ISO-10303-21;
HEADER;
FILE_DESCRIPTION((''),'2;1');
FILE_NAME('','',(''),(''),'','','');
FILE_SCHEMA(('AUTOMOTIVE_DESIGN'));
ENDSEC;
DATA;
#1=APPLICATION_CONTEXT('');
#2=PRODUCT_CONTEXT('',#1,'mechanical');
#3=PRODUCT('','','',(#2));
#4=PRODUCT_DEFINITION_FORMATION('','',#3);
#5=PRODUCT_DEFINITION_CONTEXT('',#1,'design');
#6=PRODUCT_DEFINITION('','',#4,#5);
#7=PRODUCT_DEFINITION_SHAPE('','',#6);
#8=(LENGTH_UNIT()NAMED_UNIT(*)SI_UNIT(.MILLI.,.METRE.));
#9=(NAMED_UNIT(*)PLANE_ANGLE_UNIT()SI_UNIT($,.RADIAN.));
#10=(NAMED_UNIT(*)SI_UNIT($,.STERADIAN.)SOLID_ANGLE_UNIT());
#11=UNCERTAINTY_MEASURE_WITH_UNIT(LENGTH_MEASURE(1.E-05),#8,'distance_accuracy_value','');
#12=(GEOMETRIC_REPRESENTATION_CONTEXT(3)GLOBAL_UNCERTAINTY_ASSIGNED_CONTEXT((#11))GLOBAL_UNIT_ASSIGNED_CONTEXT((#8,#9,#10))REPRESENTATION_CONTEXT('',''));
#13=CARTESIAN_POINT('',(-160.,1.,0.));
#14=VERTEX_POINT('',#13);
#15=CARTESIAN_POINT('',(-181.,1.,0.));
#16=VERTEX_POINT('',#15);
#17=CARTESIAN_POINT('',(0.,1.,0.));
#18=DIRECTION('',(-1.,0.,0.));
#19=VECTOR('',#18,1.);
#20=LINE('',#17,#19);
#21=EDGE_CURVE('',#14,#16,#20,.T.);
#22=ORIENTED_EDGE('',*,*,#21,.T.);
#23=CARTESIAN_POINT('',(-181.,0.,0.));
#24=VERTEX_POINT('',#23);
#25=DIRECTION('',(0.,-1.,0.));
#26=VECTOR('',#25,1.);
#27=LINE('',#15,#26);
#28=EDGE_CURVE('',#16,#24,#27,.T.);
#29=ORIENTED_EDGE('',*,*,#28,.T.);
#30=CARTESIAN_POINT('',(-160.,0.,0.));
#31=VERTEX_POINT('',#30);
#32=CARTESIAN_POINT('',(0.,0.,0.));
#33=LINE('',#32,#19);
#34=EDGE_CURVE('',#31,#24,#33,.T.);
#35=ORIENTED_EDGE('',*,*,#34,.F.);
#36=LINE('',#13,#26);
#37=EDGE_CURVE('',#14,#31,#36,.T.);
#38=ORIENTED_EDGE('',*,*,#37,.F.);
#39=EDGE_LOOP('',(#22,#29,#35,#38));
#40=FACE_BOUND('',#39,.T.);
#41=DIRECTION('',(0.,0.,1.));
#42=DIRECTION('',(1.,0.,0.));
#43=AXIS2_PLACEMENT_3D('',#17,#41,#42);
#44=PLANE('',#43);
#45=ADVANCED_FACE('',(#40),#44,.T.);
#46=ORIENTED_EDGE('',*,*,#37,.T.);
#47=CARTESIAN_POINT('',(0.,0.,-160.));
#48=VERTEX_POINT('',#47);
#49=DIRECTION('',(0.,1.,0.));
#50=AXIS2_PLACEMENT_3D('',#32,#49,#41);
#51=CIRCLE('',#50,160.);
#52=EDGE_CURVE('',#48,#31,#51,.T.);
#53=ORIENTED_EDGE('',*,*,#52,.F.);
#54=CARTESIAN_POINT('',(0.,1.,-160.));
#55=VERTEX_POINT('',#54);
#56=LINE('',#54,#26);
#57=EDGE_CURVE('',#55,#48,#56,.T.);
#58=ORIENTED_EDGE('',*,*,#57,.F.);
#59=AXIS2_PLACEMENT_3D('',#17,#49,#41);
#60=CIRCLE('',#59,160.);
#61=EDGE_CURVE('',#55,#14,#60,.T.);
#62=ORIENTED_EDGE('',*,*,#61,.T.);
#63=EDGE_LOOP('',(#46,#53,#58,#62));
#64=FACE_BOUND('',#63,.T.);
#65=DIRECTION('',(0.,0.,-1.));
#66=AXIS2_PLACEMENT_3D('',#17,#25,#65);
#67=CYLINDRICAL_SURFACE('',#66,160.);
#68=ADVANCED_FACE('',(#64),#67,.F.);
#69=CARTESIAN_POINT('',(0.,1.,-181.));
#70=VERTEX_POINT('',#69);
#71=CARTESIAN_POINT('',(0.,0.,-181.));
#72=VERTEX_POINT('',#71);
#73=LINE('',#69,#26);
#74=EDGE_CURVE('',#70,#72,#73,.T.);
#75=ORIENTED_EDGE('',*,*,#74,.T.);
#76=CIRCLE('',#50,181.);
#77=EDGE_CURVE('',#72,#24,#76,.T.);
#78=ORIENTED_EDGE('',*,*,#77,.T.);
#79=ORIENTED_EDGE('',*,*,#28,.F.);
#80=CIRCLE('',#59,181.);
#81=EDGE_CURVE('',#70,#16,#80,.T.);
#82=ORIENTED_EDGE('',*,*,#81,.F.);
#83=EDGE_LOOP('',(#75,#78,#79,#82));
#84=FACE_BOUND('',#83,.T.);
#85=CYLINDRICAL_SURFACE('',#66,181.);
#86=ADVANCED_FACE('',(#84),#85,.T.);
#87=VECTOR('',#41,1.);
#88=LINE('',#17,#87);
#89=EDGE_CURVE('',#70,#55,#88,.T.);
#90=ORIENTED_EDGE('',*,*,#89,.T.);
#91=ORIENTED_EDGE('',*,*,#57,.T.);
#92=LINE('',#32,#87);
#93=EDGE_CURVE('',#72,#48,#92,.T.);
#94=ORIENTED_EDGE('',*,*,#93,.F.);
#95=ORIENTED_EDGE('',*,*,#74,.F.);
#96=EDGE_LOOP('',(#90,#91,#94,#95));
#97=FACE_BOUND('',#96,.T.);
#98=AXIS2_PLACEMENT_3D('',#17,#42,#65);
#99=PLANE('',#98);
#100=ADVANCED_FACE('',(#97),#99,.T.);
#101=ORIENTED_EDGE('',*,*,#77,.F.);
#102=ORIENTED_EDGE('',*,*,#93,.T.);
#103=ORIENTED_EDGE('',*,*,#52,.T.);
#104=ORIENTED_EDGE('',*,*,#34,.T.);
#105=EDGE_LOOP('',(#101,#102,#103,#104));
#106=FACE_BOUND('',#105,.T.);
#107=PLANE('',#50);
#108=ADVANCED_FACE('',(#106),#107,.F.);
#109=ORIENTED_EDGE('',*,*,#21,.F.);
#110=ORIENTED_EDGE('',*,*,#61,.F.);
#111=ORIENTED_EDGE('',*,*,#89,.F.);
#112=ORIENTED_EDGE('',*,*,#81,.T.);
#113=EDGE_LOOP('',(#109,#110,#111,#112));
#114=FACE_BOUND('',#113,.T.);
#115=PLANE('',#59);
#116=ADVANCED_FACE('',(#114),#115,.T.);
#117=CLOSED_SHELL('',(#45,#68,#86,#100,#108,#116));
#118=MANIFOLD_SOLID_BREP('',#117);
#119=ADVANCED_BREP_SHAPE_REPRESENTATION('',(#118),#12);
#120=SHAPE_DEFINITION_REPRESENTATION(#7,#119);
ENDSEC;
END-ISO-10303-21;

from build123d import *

# Parameters (mm, degrees)
Y_KSEKLIK_EKSTR_ZYON1_DEPTH = 1


with BuildPart() as part:
    # Çizim1 → Yükseklik-Ekstrüzyon1 (new body)
    with BuildSketch(Plane(origin=(0, 0, 0), x_dir=(1, 0, 0), z_dir=(0, 1, 0))):
        with BuildLine():
            Line((0, 160), (0, 181))
            ThreePointArc((0, 181), (-127.986327395, 127.986327395), (-181, 0))
            Line((-181, 0), (-160, 0))
            ThreePointArc((-160, 0), (-113.13708499, 113.13708499), (0, 160))
        make_face()
    extrude(amount=Y_KSEKLIK_EKSTR_ZYON1_DEPTH)


solid = part.part
